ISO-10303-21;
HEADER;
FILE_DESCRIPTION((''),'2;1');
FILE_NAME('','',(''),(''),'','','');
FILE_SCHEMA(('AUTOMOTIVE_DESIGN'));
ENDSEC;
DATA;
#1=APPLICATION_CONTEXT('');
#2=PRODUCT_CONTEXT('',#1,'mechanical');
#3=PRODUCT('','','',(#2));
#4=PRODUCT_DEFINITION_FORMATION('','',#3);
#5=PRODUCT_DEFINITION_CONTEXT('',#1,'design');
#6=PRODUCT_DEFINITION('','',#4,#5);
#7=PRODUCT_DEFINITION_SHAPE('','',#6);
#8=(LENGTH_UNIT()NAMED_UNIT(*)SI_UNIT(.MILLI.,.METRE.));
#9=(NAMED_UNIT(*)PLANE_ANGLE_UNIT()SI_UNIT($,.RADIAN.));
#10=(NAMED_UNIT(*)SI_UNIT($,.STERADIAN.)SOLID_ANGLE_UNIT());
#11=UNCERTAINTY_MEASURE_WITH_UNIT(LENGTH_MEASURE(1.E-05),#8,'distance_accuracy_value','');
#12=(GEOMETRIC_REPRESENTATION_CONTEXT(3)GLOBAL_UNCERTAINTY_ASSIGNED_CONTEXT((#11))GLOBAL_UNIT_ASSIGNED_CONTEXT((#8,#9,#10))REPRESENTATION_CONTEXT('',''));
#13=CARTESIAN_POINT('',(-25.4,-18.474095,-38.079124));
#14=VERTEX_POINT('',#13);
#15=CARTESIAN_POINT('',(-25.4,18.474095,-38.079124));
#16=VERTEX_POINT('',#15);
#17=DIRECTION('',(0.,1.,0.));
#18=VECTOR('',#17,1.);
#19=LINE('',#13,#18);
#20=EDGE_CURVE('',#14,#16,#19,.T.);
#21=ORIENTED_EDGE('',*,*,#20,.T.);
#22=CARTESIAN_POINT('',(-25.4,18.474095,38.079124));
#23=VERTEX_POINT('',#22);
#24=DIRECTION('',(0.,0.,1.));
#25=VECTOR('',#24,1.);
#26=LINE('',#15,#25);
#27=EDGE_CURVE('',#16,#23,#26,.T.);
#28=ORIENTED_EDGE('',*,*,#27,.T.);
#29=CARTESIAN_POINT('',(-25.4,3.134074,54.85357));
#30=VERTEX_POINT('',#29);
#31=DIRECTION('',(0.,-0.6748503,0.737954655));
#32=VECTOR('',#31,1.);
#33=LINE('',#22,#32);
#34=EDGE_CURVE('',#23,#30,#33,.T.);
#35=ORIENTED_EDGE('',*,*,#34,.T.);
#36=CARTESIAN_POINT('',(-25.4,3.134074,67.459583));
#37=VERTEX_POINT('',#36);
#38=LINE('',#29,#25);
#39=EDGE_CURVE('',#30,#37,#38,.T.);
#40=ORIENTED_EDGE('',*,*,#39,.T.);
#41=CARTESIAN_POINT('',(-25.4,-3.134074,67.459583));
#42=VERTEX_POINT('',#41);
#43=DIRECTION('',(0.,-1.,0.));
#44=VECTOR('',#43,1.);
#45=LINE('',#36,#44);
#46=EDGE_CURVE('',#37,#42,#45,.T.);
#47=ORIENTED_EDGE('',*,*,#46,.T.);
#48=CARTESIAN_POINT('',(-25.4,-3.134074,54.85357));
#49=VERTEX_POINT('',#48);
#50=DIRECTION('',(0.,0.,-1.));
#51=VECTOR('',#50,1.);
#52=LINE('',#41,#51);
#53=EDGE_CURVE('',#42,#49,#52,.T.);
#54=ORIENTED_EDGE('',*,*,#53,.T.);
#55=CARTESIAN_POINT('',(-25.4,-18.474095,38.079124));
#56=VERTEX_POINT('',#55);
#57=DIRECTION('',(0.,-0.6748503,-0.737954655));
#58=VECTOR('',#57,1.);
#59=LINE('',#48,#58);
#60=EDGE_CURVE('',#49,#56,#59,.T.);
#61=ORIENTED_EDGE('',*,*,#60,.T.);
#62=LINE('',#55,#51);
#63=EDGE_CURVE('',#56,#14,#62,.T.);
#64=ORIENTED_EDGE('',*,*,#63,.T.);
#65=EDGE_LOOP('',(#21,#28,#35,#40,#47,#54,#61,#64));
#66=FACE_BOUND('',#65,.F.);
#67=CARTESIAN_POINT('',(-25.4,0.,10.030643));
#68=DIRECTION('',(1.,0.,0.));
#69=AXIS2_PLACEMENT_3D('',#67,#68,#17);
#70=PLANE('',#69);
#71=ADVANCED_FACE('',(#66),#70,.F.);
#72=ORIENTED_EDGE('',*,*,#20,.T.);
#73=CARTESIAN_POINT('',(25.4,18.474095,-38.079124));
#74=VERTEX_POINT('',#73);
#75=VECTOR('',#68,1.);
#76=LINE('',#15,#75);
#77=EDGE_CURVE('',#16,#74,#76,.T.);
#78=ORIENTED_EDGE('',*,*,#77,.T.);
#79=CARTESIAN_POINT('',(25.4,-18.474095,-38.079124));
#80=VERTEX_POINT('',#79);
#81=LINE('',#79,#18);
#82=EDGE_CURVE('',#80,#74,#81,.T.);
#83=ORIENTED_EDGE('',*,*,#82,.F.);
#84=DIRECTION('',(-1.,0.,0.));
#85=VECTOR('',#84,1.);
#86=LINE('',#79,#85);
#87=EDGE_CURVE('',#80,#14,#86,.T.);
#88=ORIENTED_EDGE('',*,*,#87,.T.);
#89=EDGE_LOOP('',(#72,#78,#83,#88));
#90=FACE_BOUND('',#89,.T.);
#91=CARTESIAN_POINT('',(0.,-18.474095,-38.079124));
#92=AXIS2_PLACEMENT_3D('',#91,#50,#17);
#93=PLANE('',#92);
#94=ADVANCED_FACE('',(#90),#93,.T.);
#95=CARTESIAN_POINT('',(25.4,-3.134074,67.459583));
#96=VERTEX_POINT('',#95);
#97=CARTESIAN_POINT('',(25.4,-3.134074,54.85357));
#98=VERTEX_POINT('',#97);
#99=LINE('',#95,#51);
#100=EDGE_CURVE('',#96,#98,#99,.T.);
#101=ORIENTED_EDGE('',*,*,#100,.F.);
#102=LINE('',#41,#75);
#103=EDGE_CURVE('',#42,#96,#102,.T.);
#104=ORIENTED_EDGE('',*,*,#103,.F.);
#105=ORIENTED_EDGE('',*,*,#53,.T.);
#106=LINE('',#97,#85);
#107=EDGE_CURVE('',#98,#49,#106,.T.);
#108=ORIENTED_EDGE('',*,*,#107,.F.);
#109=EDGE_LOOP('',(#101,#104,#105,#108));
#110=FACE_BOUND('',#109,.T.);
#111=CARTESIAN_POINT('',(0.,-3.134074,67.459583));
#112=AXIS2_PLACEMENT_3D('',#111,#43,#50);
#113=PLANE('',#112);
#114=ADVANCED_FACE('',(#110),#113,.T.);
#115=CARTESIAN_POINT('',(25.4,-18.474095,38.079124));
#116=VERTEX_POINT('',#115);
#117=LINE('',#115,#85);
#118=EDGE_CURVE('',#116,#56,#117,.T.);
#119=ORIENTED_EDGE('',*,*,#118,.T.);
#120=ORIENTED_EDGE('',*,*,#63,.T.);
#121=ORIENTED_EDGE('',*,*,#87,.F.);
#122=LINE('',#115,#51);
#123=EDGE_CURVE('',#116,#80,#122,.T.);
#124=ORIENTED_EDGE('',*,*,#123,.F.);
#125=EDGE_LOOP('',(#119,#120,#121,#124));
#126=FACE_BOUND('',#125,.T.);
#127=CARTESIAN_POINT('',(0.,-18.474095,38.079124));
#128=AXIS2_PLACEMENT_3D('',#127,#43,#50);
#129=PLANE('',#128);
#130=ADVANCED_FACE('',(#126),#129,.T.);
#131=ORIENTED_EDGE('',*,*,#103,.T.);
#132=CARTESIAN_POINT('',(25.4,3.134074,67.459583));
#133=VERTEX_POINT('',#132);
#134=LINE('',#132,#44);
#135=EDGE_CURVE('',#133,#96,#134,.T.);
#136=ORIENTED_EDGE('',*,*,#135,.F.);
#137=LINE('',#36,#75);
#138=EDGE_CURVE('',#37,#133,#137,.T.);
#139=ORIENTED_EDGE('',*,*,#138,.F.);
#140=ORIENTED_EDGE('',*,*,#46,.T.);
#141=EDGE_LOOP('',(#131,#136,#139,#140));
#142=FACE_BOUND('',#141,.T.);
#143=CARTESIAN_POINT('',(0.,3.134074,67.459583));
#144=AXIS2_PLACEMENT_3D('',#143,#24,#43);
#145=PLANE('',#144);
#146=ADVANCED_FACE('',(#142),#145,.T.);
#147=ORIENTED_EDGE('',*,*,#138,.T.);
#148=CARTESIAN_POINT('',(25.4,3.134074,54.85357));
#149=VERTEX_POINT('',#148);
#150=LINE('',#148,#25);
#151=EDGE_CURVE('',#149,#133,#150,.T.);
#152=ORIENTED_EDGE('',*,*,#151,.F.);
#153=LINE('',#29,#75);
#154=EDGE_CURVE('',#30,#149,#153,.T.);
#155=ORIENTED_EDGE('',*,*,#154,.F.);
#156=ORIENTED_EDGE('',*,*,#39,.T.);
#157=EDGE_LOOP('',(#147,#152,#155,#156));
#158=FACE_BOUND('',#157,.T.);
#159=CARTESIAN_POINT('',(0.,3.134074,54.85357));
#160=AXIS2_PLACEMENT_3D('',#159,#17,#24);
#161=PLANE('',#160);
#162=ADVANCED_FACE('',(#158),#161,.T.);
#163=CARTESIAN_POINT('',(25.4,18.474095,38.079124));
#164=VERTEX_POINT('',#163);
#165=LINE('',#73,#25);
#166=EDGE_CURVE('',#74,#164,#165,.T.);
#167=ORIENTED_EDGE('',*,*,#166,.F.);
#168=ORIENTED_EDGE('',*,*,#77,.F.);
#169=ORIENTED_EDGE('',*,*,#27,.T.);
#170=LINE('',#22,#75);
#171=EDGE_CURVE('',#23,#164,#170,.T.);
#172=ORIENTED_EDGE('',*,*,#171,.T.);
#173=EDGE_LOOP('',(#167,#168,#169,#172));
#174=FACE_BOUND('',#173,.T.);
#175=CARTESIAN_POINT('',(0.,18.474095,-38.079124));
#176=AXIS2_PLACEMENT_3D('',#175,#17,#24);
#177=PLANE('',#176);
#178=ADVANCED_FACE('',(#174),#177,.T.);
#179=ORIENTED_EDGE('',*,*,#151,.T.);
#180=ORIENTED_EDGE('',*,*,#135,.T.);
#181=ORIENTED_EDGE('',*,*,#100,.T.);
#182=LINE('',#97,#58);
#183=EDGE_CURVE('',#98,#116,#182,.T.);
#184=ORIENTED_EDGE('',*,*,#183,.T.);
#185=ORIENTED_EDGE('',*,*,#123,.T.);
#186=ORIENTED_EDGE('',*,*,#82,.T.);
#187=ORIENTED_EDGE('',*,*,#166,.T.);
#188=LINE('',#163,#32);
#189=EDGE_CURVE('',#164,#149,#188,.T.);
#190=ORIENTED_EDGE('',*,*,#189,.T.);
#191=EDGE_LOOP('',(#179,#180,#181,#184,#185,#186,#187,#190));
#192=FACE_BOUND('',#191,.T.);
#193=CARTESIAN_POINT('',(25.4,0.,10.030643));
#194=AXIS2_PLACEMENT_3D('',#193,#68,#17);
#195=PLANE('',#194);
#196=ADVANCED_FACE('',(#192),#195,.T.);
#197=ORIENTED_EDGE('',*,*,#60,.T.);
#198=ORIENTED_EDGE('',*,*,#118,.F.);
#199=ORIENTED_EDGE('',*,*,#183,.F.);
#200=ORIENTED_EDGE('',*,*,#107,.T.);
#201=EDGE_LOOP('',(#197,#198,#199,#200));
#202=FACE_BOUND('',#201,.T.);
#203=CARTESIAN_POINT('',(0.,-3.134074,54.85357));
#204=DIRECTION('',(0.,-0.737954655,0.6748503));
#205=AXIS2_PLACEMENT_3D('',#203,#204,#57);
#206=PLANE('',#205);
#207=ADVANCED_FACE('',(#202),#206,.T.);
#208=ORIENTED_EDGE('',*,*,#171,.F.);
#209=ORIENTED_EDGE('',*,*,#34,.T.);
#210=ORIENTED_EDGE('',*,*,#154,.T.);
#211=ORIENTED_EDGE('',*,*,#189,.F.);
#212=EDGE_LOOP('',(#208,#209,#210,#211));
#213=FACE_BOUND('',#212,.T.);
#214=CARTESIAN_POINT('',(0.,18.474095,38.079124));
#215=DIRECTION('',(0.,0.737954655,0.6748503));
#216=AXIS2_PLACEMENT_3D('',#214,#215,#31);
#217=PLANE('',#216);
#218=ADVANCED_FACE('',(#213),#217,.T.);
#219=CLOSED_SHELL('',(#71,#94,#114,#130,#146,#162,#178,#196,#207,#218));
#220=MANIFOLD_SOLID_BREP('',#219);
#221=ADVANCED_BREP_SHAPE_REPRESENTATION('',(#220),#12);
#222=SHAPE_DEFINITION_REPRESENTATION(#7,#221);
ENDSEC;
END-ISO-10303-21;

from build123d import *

# Parameters (mm, degrees)
F1_DEPTH      = 25.4
F1_DEPTH_BACK = 25.4


with BuildPart() as f1:
    # F0 (on Right) → F1 (new body, two sides)
    with BuildSketch(Plane.YZ) as f1_sk:
        Polygon((-18.474095, -38.079124), (18.474095, -38.079124), (18.474095, 38.079124), (3.134074, 54.85357), (3.134074, 67.459583), (0, 67.459583), (-3.134074, 67.459583), (-3.134074, 54.85357), (-18.474095, 38.079124), align=None)
    extrude(amount=F1_DEPTH)
    extrude(f1_sk.sketch, amount=-F1_DEPTH_BACK)


solid = f1.part
